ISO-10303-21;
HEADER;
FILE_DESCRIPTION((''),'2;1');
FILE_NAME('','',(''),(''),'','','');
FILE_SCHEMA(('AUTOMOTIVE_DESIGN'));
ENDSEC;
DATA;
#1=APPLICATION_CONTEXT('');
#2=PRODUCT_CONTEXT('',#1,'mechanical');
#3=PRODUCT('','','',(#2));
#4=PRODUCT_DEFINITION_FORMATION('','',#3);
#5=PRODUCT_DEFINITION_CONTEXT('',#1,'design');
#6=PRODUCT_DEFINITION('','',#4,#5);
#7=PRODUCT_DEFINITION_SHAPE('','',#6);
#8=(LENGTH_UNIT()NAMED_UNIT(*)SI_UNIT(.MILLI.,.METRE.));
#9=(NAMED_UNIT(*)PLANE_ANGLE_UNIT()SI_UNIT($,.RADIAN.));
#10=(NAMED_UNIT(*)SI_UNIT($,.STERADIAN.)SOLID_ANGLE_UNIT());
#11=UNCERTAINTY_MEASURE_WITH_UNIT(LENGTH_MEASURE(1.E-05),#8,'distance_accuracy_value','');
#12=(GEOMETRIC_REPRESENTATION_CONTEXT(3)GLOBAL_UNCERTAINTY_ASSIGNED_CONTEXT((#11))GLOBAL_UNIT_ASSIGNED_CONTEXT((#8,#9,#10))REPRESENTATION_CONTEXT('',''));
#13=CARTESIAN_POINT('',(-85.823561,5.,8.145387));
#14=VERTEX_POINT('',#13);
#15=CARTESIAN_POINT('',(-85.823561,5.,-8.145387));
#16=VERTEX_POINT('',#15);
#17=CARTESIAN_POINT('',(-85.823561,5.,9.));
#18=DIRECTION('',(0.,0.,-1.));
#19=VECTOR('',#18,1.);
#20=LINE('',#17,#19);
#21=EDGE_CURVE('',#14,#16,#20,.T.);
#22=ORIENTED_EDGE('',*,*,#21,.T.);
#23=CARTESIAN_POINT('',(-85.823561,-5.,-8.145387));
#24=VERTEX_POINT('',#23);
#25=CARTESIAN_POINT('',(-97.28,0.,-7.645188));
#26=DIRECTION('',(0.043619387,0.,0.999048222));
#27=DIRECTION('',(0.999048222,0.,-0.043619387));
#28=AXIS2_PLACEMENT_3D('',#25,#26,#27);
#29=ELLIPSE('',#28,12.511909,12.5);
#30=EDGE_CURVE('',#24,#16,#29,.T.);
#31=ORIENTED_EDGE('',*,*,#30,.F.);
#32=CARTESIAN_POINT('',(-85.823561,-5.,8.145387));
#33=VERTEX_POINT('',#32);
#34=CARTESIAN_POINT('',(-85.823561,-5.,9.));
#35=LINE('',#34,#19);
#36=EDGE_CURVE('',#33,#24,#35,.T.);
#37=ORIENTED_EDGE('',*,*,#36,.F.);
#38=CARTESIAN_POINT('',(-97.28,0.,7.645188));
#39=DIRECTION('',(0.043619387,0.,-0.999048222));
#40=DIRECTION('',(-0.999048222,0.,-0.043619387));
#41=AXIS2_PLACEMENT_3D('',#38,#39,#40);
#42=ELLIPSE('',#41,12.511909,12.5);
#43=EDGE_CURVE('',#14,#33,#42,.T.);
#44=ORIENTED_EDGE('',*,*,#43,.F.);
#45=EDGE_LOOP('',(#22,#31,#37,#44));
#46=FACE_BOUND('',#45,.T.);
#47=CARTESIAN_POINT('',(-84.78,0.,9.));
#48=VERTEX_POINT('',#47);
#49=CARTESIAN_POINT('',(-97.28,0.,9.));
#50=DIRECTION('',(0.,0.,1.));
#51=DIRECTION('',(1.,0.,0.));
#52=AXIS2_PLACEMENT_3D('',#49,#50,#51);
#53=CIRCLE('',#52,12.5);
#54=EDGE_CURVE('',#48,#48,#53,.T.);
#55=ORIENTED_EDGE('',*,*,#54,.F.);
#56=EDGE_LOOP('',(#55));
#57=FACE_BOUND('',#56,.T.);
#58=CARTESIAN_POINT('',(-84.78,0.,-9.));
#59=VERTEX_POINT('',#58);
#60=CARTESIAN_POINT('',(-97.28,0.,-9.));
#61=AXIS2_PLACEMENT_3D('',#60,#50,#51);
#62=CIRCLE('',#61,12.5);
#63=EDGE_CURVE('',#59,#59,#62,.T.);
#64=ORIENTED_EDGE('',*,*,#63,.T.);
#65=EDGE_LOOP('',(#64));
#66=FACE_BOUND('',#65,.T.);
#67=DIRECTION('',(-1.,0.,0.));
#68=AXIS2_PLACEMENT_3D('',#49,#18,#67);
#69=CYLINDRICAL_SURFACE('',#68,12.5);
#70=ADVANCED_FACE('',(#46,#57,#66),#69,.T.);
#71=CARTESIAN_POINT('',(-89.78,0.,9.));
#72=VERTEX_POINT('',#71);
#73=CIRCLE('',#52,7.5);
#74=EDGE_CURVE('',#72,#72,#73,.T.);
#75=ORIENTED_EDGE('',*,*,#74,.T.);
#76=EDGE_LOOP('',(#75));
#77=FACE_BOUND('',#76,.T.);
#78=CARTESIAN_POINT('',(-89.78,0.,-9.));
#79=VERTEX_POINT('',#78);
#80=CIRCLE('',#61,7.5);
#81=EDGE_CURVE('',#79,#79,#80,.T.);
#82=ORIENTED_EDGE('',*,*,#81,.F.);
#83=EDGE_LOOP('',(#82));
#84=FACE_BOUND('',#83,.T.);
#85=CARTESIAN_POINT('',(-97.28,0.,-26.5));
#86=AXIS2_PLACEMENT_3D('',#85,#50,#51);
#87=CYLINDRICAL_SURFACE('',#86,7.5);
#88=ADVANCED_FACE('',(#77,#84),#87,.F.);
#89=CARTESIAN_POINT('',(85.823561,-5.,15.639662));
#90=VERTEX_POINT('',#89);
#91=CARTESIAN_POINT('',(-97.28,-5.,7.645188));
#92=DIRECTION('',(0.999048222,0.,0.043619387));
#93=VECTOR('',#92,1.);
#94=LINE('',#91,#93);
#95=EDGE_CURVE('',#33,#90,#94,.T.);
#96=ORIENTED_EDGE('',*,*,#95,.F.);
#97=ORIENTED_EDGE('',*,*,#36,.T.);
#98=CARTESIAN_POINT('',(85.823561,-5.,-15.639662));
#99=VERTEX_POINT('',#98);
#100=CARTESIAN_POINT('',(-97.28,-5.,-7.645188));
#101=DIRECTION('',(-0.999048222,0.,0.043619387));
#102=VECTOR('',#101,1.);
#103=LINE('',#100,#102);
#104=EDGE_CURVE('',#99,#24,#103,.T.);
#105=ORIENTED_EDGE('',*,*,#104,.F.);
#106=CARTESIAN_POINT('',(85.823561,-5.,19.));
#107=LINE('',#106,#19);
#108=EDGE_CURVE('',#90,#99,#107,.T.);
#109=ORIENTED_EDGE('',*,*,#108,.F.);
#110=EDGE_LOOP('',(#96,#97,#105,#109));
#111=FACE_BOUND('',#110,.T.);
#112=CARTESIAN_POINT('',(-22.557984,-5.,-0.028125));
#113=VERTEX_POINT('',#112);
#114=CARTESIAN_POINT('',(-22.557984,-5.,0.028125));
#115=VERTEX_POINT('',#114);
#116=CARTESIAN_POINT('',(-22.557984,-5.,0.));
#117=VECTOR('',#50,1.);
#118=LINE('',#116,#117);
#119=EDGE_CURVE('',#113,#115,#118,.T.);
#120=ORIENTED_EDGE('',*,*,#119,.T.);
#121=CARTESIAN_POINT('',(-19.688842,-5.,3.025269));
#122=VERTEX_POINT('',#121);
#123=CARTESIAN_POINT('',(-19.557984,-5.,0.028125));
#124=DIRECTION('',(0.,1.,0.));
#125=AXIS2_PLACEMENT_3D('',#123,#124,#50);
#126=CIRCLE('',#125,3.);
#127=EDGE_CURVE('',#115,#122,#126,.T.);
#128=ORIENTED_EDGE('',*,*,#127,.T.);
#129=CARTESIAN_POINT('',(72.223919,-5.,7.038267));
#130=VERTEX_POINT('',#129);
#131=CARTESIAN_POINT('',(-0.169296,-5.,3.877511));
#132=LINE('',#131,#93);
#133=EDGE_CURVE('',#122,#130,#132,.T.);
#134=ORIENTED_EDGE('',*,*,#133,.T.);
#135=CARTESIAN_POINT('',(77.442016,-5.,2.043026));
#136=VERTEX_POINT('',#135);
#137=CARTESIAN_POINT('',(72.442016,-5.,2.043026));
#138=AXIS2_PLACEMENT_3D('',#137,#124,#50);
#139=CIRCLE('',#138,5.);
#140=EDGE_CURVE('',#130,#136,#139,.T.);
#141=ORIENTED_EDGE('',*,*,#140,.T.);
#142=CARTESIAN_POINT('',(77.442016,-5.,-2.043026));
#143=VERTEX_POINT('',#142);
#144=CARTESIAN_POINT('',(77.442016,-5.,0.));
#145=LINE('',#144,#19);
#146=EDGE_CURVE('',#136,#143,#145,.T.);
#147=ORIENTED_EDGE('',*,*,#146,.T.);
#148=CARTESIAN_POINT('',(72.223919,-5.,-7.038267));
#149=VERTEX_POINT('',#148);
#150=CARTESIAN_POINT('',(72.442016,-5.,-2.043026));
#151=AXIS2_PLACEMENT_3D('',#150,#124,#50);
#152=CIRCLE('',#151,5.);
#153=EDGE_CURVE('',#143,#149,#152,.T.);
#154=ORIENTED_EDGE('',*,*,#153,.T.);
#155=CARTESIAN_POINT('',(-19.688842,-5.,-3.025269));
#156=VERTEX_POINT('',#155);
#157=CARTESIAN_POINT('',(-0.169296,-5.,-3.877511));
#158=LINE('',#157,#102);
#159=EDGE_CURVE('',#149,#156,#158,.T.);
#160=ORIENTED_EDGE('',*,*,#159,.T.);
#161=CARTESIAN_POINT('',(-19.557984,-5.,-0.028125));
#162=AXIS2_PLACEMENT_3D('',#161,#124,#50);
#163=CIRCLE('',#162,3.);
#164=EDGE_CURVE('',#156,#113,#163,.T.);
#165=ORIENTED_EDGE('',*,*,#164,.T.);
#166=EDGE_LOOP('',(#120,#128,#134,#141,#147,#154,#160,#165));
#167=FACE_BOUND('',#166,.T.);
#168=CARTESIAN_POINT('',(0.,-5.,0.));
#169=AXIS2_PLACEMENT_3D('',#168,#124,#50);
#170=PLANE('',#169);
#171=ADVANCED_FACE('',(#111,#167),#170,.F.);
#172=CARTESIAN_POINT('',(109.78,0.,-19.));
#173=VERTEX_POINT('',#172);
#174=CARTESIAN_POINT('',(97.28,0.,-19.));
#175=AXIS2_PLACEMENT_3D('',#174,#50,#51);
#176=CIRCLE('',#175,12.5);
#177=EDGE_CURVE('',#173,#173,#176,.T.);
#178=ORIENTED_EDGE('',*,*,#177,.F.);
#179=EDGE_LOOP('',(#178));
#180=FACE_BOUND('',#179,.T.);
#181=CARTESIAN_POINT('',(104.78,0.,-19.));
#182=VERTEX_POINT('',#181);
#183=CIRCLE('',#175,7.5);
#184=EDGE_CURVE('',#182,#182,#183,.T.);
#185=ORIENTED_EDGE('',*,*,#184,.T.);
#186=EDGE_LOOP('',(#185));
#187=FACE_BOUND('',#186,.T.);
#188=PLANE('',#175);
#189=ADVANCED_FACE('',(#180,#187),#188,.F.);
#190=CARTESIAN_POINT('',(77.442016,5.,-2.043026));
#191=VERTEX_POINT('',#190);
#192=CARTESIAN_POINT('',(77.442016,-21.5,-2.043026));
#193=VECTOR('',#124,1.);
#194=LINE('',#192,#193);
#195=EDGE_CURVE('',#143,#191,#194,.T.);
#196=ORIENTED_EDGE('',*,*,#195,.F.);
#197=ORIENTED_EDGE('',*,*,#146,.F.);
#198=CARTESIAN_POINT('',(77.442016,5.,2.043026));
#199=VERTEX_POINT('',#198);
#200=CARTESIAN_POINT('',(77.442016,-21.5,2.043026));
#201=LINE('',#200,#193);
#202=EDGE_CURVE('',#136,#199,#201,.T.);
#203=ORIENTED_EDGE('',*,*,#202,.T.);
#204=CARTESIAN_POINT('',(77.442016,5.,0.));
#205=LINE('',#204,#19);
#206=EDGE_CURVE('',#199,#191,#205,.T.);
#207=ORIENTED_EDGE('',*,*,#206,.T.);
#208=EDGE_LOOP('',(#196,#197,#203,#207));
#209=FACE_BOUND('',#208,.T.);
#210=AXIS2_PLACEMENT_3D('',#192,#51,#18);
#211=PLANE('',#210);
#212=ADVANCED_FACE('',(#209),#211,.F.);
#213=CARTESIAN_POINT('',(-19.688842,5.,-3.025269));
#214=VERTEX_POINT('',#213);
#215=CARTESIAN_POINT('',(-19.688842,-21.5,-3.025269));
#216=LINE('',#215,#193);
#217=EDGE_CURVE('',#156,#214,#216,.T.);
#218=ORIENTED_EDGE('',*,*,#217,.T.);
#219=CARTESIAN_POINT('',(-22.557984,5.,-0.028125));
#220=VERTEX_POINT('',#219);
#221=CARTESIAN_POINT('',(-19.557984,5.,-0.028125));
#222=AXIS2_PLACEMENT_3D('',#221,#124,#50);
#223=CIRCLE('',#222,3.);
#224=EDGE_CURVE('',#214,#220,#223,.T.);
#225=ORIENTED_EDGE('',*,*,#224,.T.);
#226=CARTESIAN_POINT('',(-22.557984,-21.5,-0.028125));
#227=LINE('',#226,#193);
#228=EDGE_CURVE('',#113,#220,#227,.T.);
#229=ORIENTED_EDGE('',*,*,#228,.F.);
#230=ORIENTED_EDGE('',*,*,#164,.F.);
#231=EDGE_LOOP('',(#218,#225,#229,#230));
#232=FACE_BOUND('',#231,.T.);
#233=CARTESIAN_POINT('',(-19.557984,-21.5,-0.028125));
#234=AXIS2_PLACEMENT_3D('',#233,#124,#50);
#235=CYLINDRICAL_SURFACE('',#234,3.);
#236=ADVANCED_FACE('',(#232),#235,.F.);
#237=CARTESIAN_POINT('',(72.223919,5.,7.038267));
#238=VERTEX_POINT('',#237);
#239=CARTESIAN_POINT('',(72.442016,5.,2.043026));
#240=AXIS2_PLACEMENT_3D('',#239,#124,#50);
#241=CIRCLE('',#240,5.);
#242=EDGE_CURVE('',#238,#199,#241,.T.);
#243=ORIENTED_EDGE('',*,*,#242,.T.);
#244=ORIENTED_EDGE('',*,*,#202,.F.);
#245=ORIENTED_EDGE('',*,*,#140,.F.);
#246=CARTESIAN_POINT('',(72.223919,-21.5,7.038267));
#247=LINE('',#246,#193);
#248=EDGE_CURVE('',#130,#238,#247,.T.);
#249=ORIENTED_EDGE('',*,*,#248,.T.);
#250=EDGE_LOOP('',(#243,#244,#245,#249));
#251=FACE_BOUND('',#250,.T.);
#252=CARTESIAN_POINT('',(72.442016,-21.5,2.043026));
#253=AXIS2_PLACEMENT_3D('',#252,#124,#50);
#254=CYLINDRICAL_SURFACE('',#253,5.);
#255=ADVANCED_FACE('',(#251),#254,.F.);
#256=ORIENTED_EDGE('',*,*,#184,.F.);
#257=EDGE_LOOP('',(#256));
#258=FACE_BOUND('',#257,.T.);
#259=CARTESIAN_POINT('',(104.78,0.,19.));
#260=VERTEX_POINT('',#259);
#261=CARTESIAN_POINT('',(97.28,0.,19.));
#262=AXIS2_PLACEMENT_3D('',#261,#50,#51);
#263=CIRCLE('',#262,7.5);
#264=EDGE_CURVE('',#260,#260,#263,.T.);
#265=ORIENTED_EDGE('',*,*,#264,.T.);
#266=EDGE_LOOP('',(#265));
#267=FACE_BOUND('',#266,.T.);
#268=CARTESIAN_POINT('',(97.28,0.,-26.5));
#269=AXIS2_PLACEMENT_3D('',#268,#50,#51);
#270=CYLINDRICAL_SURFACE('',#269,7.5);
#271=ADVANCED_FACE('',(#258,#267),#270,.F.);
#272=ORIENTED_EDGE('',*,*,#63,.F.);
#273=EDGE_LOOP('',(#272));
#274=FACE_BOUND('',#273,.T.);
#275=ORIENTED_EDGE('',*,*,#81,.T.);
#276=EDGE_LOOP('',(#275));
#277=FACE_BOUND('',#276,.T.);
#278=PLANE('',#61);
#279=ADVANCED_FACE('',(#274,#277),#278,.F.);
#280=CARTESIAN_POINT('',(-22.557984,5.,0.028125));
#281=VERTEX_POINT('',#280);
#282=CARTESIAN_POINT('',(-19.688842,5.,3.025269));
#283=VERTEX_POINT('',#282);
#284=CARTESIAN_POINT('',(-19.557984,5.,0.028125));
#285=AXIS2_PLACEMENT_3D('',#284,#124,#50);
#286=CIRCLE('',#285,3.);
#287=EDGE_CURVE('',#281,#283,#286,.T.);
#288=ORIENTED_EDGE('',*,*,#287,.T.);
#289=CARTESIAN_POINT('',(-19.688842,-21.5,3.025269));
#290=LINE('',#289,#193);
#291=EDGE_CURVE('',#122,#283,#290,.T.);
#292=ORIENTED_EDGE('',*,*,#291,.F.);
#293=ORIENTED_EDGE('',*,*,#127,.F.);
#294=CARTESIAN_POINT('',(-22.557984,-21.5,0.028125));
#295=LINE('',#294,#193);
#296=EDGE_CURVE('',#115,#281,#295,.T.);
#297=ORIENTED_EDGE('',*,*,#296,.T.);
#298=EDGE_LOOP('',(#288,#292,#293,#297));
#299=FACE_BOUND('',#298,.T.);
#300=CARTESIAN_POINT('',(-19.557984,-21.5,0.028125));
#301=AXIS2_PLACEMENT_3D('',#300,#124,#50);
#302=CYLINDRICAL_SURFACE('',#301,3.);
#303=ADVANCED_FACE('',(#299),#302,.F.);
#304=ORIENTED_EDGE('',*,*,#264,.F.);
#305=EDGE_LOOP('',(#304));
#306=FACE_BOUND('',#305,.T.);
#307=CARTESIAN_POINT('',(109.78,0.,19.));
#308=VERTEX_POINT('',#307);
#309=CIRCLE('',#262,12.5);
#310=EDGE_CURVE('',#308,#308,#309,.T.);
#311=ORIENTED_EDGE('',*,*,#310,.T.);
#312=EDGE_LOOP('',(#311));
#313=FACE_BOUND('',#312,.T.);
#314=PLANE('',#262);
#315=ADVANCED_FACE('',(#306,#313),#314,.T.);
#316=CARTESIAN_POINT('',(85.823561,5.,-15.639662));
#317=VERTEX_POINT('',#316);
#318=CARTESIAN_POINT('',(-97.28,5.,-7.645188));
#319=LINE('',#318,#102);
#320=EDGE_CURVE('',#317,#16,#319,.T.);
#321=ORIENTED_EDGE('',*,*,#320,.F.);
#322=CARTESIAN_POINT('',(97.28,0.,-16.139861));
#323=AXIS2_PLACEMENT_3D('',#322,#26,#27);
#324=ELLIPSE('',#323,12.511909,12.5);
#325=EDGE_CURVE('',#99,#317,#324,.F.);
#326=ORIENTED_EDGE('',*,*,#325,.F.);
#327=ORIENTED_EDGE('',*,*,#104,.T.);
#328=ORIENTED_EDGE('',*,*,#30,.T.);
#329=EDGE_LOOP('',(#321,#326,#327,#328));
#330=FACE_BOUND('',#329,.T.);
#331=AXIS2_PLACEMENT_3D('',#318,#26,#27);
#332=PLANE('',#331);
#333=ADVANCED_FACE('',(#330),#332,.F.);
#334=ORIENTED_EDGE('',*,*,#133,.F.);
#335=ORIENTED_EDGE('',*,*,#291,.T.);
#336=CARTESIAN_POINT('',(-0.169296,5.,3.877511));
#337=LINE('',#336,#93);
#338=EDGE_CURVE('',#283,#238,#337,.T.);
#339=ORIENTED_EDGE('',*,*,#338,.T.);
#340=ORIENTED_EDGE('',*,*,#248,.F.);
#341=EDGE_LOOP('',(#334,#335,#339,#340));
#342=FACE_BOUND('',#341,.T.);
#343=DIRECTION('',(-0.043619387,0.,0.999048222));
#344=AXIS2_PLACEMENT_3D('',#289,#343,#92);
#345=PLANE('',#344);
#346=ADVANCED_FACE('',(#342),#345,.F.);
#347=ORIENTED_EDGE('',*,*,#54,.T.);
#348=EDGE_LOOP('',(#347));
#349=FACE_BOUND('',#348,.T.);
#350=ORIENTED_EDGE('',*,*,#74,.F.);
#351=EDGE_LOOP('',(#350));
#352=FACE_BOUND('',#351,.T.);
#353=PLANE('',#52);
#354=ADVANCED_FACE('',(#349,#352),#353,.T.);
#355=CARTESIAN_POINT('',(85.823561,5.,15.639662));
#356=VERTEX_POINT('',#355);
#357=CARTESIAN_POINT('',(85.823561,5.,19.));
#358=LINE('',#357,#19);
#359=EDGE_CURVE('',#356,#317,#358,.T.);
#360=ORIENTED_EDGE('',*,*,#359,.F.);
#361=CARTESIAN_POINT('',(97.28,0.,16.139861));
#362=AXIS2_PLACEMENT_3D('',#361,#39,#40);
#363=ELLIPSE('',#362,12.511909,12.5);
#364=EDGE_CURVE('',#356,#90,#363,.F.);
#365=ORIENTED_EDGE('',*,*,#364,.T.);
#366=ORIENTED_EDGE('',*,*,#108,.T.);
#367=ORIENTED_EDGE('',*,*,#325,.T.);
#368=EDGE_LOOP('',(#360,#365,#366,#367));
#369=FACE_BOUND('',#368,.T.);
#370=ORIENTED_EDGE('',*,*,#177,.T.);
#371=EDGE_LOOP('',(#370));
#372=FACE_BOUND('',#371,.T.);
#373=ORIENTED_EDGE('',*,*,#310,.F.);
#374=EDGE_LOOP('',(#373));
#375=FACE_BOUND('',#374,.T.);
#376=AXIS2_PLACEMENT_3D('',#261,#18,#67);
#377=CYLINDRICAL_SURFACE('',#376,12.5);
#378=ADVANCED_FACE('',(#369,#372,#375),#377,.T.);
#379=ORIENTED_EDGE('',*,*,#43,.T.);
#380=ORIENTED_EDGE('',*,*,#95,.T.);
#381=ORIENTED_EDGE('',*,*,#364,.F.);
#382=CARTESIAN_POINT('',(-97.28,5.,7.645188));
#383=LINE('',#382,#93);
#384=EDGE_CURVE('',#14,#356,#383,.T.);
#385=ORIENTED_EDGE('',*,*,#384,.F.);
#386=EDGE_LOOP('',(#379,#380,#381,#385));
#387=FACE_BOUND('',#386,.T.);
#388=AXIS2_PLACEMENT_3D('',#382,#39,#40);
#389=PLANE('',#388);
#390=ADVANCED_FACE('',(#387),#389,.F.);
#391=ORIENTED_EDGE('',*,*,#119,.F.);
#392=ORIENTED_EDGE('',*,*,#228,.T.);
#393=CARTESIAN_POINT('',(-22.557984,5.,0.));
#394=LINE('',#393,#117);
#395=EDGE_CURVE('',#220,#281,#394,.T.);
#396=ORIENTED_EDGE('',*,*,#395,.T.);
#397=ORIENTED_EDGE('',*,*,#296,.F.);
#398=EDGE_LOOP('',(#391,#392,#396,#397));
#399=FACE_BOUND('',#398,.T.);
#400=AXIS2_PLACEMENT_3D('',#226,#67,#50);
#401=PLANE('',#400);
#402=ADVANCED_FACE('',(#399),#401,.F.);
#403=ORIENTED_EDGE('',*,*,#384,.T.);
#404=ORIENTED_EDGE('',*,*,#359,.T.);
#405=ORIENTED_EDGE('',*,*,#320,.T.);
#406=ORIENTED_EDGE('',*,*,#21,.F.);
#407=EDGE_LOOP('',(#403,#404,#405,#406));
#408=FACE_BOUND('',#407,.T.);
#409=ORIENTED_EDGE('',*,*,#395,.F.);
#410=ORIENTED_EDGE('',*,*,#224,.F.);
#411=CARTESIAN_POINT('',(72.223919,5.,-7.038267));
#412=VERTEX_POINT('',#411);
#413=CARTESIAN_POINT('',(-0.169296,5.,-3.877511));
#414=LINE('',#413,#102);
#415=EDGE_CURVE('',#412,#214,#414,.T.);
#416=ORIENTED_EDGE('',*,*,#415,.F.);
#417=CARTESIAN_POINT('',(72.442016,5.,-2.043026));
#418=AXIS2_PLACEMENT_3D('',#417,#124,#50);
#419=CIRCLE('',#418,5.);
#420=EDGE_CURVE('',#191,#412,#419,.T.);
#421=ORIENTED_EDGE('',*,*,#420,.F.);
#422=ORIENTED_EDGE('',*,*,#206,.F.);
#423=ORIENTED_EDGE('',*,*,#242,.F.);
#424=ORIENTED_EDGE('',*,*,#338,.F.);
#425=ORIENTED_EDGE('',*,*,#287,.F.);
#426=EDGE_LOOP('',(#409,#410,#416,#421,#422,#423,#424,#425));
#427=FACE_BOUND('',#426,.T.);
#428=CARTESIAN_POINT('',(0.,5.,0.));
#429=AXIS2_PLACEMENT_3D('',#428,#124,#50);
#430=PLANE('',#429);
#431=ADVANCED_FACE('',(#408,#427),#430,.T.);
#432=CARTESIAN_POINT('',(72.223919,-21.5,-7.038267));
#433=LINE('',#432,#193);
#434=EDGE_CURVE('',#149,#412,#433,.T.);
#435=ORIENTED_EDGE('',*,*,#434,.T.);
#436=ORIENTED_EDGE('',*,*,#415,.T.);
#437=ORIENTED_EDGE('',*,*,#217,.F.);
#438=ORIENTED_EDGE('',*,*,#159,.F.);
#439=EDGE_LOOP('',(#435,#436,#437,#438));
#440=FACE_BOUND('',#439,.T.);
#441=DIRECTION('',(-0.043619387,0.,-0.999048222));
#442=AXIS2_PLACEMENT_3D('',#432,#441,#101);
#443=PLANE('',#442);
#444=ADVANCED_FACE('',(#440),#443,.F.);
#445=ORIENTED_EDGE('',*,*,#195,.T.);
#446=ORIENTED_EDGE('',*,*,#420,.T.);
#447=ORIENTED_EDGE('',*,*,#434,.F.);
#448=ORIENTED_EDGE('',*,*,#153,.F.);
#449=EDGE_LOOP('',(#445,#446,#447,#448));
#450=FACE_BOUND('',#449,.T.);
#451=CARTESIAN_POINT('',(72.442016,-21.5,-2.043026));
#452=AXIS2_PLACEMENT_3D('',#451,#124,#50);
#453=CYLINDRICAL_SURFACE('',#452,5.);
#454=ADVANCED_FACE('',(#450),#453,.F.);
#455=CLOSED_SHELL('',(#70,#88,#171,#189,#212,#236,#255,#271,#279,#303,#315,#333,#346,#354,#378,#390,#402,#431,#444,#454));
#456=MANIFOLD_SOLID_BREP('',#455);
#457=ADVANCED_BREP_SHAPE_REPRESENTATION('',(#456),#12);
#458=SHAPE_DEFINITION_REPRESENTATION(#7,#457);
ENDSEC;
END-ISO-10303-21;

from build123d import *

# Parameters (mm, degrees)
SKETCH1_R           = 12.5
BOSS_EXTRUDE1_DEPTH = 9
SKETCH2_R           = 12.5
BOSS_EXTRUDE2_DEPTH = 19
BOSS_EXTRUDE3_DEPTH = 5
CUT_EXTRUDE1_DEPTH  = 26.5
SKETCH5_R           = 7.5
CUT_EXTRUDE2_DEPTH  = 26.5


with BuildPart() as part:
    # Sketch1 → Boss-Extrude1 (new, symmetric)
    with BuildSketch(Plane.XY):
        with Locations((-97.28, 0)):
            Circle(SKETCH1_R)
    extrude(amount=BOSS_EXTRUDE1_DEPTH, both=True)



with BuildPart() as body_2:
    # Sketch2 → Boss-Extrude2 (new, symmetric)
    with BuildSketch(Plane.XY):
        with Locations((97.28, 0)):
            Circle(SKETCH2_R)
    extrude(amount=BOSS_EXTRUDE2_DEPTH, both=True)


with BuildPart() as part_1:
    add(part.part)

    add(body_2.part)  # Boss-Extrude3 merges body 2
    # Sketch3 → Boss-Extrude3 (add, symmetric)
    with BuildSketch(Plane(origin=(0, 0, 0), x_dir=(1, 0, 0), z_dir=(0, 1, 0))):
        Polygon((-97.28, 7.645187817), (97.28, 16.139860869), (97.28, -16.139860869), (-97.28, -7.645187817), align=None)
    extrude(amount=BOSS_EXTRUDE3_DEPTH, both=True)

    # Sketch4 → Cut-Extrude1 (cut, symmetric)
    with BuildSketch(Plane(origin=(0, 5, 0), x_dir=(1, 0, 0), z_dir=(0, 1, 0))):
        with BuildLine():
            Line((72.223918829, 7.038267258), (-19.688842396, 3.025269438))
            ThreePointArc((-19.688842396, 3.025269438), (-21.72507612, 2.102663941), (-22.557984234, 0.028124773))
            Line((-22.557984234, 0.028124773), (-22.557984234, -0.028124773))
            ThreePointArc((-22.557984234, -0.028124773), (-21.72507612, -2.102663941), (-19.688842396, -3.025269438))
            Line((-19.688842396, -3.025269438), (72.223918829, -7.038267258))
            ThreePointArc((72.223918829, -7.038267258), (75.899581045, -5.654845961), (77.442015766, -2.04302615))
            Line((77.442015766, -2.04302615), (77.442015766, 2.04302615))
            ThreePointArc((77.442015766, 2.04302615), (75.899581045, 5.654845961), (72.223918829, 7.038267258))
        make_face()
    extrude(amount=CUT_EXTRUDE1_DEPTH, both=True, mode=Mode.SUBTRACT)

    # Sketch5 → Cut-Extrude2 (cut, symmetric)
    with BuildSketch(Plane.XY):
        with Locations((-97.28, 0)):
            Circle(SKETCH5_R)
        with Locations((97.28, 0)):
            Circle(SKETCH5_R)
    extrude(amount=CUT_EXTRUDE2_DEPTH, both=True, mode=Mode.SUBTRACT)


solid = part_1.part
